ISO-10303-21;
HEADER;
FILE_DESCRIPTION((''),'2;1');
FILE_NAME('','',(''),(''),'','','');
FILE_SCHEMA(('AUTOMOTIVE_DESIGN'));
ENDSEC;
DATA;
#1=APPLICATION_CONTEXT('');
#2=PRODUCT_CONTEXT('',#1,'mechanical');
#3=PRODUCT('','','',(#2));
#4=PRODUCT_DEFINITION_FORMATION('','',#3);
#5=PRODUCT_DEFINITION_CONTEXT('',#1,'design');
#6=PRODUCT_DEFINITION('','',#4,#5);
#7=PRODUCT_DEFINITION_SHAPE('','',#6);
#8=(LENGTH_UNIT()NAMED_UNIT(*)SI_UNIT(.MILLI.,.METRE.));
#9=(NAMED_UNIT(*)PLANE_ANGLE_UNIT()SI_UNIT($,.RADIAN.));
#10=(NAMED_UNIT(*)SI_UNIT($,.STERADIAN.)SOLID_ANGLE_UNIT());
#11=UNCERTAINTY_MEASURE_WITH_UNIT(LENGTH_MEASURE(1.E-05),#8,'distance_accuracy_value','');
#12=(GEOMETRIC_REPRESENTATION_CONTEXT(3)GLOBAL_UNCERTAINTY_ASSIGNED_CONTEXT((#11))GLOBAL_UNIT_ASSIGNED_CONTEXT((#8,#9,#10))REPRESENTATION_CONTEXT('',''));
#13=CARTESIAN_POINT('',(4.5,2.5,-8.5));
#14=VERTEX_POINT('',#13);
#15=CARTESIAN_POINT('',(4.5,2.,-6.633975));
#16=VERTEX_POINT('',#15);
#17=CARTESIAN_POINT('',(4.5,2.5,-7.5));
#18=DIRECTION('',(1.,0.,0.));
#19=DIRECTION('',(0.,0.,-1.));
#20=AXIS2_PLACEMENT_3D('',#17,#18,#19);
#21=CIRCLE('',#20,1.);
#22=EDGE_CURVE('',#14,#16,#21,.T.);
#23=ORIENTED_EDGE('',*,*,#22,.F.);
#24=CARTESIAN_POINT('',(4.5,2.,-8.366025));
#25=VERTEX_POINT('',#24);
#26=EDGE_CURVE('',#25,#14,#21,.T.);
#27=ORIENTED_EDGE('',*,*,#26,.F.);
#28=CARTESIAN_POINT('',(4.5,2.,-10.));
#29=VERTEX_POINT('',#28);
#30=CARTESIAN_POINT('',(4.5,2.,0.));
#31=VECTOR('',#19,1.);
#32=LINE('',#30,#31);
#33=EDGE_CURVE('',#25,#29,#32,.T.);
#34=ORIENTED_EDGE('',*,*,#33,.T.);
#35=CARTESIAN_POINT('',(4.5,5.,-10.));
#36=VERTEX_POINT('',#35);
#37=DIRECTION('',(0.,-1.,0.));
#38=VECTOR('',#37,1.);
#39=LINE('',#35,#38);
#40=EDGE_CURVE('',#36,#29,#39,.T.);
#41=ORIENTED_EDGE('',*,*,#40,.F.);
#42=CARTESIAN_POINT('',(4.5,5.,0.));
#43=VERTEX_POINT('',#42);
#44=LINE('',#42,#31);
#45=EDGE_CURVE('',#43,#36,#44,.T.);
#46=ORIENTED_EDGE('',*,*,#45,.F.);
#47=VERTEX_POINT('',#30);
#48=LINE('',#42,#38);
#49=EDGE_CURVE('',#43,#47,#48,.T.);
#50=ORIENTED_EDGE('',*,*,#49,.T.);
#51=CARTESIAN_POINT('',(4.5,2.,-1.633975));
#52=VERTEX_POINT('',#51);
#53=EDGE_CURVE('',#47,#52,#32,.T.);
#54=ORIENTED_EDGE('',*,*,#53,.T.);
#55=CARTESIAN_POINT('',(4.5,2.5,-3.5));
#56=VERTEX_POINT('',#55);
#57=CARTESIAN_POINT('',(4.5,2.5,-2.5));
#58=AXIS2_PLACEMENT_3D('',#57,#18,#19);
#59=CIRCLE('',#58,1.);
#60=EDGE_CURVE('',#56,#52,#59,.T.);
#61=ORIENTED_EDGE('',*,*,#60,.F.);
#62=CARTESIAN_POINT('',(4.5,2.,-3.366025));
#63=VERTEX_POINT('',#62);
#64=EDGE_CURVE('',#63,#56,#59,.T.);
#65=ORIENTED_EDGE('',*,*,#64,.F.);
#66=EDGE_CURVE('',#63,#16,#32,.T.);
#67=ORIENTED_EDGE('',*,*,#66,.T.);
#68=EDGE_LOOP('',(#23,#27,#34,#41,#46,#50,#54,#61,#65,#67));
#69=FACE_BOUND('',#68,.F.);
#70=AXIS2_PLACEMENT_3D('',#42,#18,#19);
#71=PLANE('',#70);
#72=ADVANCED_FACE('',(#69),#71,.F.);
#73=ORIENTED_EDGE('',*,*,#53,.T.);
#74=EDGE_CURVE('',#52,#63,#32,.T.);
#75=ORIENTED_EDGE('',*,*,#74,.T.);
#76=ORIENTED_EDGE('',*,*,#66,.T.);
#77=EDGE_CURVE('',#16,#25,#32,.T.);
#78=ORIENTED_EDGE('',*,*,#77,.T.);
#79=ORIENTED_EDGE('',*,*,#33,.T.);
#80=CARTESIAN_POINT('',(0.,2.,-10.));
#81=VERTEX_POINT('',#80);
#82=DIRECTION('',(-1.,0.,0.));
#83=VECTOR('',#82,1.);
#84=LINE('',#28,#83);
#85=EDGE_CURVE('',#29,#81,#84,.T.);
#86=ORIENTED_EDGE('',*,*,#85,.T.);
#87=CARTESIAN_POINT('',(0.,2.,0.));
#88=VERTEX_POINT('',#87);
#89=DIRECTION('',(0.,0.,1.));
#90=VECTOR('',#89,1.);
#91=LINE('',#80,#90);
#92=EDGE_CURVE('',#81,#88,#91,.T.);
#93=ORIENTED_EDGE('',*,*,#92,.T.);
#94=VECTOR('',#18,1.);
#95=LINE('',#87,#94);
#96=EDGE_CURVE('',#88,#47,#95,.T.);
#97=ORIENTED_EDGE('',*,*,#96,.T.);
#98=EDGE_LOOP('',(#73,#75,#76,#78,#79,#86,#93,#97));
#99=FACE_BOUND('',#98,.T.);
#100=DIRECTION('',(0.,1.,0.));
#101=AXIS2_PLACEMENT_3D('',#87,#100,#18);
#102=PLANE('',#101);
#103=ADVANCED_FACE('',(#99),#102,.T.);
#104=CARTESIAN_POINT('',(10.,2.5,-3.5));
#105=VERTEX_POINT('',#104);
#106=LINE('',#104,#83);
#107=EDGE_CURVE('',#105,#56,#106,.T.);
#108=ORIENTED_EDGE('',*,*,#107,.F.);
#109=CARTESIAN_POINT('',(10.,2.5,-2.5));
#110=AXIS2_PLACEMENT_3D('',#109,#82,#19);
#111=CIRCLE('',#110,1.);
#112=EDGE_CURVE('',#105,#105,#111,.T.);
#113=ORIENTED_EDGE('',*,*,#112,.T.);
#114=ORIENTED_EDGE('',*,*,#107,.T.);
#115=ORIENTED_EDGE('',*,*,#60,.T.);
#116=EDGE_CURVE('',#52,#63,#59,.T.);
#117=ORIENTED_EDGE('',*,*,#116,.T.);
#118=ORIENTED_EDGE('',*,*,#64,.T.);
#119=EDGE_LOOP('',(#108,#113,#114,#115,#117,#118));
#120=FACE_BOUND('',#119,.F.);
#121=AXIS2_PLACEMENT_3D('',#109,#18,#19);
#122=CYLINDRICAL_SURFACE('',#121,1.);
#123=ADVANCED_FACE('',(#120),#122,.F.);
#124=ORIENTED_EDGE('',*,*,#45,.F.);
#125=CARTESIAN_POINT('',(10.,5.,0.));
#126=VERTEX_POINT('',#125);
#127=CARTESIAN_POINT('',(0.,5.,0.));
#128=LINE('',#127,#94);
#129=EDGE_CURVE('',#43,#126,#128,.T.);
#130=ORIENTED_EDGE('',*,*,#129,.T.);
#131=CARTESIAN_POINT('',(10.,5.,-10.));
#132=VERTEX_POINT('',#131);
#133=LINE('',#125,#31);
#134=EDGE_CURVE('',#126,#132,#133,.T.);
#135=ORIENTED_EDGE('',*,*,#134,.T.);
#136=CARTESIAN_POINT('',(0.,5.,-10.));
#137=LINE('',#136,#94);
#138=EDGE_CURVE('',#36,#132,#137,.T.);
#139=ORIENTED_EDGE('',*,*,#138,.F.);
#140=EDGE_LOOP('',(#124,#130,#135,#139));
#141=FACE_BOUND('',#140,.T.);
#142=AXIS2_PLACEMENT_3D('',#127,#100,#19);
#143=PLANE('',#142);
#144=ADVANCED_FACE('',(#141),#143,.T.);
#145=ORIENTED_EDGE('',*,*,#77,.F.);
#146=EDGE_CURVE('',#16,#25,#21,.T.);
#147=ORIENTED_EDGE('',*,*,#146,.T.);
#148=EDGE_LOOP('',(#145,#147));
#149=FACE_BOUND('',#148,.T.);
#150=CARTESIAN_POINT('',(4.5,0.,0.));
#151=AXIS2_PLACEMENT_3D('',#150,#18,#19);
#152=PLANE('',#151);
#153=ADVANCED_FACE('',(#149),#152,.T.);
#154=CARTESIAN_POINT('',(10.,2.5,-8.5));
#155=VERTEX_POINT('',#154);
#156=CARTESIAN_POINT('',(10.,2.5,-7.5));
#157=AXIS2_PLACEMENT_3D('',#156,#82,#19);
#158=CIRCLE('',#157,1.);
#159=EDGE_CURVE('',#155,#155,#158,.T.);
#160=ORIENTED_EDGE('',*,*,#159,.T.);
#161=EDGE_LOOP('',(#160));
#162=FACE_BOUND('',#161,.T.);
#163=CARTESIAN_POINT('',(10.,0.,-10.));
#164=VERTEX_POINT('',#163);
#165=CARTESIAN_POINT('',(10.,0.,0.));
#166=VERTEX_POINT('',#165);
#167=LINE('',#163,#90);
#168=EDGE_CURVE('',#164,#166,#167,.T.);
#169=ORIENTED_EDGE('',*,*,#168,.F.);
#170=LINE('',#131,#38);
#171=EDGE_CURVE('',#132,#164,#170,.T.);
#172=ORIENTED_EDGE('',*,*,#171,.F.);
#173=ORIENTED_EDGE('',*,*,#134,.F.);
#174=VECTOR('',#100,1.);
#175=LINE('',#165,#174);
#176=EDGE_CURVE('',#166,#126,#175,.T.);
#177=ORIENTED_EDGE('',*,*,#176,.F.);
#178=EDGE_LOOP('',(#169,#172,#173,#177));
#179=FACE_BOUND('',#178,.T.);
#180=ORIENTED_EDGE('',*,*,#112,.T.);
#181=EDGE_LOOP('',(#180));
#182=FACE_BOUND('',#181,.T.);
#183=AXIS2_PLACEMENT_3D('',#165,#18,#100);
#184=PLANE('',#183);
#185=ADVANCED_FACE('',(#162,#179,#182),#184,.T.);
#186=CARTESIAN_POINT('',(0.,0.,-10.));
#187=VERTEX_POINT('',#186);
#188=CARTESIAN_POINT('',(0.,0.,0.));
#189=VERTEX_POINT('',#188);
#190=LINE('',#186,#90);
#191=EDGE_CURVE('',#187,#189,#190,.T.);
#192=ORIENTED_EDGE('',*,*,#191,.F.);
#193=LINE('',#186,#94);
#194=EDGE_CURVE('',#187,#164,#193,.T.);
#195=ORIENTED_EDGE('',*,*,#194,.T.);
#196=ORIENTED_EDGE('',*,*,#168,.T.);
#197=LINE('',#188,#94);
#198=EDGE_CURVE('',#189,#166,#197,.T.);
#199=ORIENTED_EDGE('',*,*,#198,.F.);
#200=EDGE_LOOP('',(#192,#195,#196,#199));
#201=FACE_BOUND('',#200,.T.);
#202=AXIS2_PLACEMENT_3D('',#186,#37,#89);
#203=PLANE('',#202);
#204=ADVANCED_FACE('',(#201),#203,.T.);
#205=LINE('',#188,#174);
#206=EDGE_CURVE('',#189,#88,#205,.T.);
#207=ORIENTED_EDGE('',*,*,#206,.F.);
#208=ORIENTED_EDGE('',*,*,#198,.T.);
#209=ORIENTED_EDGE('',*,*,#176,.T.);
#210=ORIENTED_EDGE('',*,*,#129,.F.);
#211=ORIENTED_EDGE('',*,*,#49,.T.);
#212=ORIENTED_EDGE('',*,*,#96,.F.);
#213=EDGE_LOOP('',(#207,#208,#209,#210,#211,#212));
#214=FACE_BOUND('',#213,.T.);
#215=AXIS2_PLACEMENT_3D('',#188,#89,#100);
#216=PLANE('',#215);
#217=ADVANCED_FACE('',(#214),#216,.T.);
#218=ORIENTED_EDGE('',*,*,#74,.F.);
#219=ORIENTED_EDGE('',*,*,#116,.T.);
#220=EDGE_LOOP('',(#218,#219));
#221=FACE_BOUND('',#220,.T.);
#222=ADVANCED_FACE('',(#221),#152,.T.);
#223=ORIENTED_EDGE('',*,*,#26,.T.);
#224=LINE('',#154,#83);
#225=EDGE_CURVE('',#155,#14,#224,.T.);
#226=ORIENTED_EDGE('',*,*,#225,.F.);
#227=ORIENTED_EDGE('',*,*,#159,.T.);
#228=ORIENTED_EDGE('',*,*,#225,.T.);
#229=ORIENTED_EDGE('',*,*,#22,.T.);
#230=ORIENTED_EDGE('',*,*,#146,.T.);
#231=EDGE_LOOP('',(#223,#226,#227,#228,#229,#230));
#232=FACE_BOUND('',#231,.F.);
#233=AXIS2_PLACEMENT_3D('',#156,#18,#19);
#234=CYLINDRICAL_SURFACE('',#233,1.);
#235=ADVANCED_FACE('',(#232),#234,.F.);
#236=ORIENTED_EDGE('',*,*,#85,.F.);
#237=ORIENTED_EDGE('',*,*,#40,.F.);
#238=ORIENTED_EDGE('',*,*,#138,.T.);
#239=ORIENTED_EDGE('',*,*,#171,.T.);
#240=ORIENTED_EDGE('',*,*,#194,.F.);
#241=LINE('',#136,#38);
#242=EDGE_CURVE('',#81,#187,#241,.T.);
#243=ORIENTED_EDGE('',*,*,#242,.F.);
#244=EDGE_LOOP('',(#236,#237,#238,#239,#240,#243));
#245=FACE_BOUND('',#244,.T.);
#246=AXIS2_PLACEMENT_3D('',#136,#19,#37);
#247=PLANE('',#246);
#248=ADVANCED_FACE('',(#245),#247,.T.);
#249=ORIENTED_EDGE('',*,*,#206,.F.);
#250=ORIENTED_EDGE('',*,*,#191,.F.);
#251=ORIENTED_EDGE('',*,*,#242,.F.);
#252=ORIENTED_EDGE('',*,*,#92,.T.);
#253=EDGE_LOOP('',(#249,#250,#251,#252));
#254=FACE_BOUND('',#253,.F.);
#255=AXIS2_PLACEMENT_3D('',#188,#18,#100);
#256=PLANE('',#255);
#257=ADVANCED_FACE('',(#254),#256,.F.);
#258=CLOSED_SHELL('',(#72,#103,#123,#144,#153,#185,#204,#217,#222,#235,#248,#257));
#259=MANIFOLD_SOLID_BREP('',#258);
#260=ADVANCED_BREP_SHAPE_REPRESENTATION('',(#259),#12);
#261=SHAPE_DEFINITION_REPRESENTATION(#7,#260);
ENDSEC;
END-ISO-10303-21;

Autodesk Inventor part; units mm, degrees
ref_plane "YZ Plane" through (0, 0, 0) normal (1, 0, 0) x (0, 1, 0)
ref_plane "XZ Plane" through (0, 0, 0) normal (0, 1, 0) x (-1, 0, 0)
ref_plane "XY Plane" through (0, 0, 0) normal (0, 0, 1) x (1, 0, 0)
sketch "Sketch1" plane through (0, 0, 0) normal (1, 0, 0) x (0, 1, 0)
  line L0 (0, 0) -> (5, 0)
  line L1 (5, 0) -> (5, -10)
  line L2 (5, -10) -> (0, -10)
  line L3 (0, -10) -> (0, 0)
  dimension "d0" = 5
  dimension "d1" = 10
extrude "Extrusion1" add sketch "Sketch1" along normal blind 10
sketch "Sketch2" plane through (0, 5, 0) normal (0, 1, 0) x (1, 0, 0)
  line L0 (0, 0) -> (10, 0) projected
  line L1 (0, 10) -> (10, 10) projected
  line L2 (10, 0) -> (6.5, 0)
  line L3 (6.5, 0) -> (6.5, 10)
  line L4 (6.5, 10) -> (10, 10)
  line L5 (10, 10) -> (10, 0)
  line L6 (6.5, 0) -> (4.5, 0)
  line L7 (4.5, 0) -> (4.5, 10)
  line L8 (4.5, 10) -> (6.5, 10)
  line L9 (6.5, 10) -> (6.5, 0)
  line L10 (4.5, 10) -> (2, 10)
  line L11 (2, 10) -> (2, 0)
  line L12 (2, 0) -> (4.5, 0)
  line L13 (4.5, 0) -> (4.5, 10)
  line L14 (0, 10) -> (0, 0) projected
  line L15 (2, 0) -> (0, 0)
  line L16 (0, 0) -> (0, 10)
  line L17 (0, 10) -> (2, 10)
  line L18 (2, 10) -> (2, 0)
  dimension "d4" = 3.5
  dimension "d5" = 2
  dimension "d6" = 2.5
extrude "Extrusion2" cut sketch "Sketch2" against normal blind 3 contours L14 L1 L11 L0 | L11 L1 L7 L0
sketch "Sketch3" plane through (10, 0, 0) normal (1, 0, 0) x (0, 0, -1)
  line L0 (10, 5) -> (0, 5) projected
  line L1 (0, 5) -> (2.5, 5)
  line L2 (2.5, 5) -> (2.5, 2.5)
  line L3 (2.5, 2.5) -> (0, 2.5)
  line L4 (0, 2.5) -> (0, 5)
  line L5 (10, 5) -> (7.5, 5)
  line L6 (7.5, 5) -> (7.5, 2.5)
  line L7 (7.5, 2.5) -> (10, 2.5)
  line L8 (10, 2.5) -> (10, 5)
  circle A0 centre (2.5, 2.5) radius 1
  circle A1 centre (7.5, 2.5) radius 1
  point P0 (0, 0)
  dimension "d9" = 2.5
  dimension "d10" = 2.5
  dimension "d11" = 2.5
  dimension "d12" = 2.5
  dimension "d13" = 2
  dimension "d14" = 2
extrude "Extrusion3" cut sketch "Sketch3" against normal blind 5.5 contours A1 L7 L6 | L6 L7 A1 | A0 L3 L2 | L2 L3 A0
properties part number "suport2_pcb_temp"
